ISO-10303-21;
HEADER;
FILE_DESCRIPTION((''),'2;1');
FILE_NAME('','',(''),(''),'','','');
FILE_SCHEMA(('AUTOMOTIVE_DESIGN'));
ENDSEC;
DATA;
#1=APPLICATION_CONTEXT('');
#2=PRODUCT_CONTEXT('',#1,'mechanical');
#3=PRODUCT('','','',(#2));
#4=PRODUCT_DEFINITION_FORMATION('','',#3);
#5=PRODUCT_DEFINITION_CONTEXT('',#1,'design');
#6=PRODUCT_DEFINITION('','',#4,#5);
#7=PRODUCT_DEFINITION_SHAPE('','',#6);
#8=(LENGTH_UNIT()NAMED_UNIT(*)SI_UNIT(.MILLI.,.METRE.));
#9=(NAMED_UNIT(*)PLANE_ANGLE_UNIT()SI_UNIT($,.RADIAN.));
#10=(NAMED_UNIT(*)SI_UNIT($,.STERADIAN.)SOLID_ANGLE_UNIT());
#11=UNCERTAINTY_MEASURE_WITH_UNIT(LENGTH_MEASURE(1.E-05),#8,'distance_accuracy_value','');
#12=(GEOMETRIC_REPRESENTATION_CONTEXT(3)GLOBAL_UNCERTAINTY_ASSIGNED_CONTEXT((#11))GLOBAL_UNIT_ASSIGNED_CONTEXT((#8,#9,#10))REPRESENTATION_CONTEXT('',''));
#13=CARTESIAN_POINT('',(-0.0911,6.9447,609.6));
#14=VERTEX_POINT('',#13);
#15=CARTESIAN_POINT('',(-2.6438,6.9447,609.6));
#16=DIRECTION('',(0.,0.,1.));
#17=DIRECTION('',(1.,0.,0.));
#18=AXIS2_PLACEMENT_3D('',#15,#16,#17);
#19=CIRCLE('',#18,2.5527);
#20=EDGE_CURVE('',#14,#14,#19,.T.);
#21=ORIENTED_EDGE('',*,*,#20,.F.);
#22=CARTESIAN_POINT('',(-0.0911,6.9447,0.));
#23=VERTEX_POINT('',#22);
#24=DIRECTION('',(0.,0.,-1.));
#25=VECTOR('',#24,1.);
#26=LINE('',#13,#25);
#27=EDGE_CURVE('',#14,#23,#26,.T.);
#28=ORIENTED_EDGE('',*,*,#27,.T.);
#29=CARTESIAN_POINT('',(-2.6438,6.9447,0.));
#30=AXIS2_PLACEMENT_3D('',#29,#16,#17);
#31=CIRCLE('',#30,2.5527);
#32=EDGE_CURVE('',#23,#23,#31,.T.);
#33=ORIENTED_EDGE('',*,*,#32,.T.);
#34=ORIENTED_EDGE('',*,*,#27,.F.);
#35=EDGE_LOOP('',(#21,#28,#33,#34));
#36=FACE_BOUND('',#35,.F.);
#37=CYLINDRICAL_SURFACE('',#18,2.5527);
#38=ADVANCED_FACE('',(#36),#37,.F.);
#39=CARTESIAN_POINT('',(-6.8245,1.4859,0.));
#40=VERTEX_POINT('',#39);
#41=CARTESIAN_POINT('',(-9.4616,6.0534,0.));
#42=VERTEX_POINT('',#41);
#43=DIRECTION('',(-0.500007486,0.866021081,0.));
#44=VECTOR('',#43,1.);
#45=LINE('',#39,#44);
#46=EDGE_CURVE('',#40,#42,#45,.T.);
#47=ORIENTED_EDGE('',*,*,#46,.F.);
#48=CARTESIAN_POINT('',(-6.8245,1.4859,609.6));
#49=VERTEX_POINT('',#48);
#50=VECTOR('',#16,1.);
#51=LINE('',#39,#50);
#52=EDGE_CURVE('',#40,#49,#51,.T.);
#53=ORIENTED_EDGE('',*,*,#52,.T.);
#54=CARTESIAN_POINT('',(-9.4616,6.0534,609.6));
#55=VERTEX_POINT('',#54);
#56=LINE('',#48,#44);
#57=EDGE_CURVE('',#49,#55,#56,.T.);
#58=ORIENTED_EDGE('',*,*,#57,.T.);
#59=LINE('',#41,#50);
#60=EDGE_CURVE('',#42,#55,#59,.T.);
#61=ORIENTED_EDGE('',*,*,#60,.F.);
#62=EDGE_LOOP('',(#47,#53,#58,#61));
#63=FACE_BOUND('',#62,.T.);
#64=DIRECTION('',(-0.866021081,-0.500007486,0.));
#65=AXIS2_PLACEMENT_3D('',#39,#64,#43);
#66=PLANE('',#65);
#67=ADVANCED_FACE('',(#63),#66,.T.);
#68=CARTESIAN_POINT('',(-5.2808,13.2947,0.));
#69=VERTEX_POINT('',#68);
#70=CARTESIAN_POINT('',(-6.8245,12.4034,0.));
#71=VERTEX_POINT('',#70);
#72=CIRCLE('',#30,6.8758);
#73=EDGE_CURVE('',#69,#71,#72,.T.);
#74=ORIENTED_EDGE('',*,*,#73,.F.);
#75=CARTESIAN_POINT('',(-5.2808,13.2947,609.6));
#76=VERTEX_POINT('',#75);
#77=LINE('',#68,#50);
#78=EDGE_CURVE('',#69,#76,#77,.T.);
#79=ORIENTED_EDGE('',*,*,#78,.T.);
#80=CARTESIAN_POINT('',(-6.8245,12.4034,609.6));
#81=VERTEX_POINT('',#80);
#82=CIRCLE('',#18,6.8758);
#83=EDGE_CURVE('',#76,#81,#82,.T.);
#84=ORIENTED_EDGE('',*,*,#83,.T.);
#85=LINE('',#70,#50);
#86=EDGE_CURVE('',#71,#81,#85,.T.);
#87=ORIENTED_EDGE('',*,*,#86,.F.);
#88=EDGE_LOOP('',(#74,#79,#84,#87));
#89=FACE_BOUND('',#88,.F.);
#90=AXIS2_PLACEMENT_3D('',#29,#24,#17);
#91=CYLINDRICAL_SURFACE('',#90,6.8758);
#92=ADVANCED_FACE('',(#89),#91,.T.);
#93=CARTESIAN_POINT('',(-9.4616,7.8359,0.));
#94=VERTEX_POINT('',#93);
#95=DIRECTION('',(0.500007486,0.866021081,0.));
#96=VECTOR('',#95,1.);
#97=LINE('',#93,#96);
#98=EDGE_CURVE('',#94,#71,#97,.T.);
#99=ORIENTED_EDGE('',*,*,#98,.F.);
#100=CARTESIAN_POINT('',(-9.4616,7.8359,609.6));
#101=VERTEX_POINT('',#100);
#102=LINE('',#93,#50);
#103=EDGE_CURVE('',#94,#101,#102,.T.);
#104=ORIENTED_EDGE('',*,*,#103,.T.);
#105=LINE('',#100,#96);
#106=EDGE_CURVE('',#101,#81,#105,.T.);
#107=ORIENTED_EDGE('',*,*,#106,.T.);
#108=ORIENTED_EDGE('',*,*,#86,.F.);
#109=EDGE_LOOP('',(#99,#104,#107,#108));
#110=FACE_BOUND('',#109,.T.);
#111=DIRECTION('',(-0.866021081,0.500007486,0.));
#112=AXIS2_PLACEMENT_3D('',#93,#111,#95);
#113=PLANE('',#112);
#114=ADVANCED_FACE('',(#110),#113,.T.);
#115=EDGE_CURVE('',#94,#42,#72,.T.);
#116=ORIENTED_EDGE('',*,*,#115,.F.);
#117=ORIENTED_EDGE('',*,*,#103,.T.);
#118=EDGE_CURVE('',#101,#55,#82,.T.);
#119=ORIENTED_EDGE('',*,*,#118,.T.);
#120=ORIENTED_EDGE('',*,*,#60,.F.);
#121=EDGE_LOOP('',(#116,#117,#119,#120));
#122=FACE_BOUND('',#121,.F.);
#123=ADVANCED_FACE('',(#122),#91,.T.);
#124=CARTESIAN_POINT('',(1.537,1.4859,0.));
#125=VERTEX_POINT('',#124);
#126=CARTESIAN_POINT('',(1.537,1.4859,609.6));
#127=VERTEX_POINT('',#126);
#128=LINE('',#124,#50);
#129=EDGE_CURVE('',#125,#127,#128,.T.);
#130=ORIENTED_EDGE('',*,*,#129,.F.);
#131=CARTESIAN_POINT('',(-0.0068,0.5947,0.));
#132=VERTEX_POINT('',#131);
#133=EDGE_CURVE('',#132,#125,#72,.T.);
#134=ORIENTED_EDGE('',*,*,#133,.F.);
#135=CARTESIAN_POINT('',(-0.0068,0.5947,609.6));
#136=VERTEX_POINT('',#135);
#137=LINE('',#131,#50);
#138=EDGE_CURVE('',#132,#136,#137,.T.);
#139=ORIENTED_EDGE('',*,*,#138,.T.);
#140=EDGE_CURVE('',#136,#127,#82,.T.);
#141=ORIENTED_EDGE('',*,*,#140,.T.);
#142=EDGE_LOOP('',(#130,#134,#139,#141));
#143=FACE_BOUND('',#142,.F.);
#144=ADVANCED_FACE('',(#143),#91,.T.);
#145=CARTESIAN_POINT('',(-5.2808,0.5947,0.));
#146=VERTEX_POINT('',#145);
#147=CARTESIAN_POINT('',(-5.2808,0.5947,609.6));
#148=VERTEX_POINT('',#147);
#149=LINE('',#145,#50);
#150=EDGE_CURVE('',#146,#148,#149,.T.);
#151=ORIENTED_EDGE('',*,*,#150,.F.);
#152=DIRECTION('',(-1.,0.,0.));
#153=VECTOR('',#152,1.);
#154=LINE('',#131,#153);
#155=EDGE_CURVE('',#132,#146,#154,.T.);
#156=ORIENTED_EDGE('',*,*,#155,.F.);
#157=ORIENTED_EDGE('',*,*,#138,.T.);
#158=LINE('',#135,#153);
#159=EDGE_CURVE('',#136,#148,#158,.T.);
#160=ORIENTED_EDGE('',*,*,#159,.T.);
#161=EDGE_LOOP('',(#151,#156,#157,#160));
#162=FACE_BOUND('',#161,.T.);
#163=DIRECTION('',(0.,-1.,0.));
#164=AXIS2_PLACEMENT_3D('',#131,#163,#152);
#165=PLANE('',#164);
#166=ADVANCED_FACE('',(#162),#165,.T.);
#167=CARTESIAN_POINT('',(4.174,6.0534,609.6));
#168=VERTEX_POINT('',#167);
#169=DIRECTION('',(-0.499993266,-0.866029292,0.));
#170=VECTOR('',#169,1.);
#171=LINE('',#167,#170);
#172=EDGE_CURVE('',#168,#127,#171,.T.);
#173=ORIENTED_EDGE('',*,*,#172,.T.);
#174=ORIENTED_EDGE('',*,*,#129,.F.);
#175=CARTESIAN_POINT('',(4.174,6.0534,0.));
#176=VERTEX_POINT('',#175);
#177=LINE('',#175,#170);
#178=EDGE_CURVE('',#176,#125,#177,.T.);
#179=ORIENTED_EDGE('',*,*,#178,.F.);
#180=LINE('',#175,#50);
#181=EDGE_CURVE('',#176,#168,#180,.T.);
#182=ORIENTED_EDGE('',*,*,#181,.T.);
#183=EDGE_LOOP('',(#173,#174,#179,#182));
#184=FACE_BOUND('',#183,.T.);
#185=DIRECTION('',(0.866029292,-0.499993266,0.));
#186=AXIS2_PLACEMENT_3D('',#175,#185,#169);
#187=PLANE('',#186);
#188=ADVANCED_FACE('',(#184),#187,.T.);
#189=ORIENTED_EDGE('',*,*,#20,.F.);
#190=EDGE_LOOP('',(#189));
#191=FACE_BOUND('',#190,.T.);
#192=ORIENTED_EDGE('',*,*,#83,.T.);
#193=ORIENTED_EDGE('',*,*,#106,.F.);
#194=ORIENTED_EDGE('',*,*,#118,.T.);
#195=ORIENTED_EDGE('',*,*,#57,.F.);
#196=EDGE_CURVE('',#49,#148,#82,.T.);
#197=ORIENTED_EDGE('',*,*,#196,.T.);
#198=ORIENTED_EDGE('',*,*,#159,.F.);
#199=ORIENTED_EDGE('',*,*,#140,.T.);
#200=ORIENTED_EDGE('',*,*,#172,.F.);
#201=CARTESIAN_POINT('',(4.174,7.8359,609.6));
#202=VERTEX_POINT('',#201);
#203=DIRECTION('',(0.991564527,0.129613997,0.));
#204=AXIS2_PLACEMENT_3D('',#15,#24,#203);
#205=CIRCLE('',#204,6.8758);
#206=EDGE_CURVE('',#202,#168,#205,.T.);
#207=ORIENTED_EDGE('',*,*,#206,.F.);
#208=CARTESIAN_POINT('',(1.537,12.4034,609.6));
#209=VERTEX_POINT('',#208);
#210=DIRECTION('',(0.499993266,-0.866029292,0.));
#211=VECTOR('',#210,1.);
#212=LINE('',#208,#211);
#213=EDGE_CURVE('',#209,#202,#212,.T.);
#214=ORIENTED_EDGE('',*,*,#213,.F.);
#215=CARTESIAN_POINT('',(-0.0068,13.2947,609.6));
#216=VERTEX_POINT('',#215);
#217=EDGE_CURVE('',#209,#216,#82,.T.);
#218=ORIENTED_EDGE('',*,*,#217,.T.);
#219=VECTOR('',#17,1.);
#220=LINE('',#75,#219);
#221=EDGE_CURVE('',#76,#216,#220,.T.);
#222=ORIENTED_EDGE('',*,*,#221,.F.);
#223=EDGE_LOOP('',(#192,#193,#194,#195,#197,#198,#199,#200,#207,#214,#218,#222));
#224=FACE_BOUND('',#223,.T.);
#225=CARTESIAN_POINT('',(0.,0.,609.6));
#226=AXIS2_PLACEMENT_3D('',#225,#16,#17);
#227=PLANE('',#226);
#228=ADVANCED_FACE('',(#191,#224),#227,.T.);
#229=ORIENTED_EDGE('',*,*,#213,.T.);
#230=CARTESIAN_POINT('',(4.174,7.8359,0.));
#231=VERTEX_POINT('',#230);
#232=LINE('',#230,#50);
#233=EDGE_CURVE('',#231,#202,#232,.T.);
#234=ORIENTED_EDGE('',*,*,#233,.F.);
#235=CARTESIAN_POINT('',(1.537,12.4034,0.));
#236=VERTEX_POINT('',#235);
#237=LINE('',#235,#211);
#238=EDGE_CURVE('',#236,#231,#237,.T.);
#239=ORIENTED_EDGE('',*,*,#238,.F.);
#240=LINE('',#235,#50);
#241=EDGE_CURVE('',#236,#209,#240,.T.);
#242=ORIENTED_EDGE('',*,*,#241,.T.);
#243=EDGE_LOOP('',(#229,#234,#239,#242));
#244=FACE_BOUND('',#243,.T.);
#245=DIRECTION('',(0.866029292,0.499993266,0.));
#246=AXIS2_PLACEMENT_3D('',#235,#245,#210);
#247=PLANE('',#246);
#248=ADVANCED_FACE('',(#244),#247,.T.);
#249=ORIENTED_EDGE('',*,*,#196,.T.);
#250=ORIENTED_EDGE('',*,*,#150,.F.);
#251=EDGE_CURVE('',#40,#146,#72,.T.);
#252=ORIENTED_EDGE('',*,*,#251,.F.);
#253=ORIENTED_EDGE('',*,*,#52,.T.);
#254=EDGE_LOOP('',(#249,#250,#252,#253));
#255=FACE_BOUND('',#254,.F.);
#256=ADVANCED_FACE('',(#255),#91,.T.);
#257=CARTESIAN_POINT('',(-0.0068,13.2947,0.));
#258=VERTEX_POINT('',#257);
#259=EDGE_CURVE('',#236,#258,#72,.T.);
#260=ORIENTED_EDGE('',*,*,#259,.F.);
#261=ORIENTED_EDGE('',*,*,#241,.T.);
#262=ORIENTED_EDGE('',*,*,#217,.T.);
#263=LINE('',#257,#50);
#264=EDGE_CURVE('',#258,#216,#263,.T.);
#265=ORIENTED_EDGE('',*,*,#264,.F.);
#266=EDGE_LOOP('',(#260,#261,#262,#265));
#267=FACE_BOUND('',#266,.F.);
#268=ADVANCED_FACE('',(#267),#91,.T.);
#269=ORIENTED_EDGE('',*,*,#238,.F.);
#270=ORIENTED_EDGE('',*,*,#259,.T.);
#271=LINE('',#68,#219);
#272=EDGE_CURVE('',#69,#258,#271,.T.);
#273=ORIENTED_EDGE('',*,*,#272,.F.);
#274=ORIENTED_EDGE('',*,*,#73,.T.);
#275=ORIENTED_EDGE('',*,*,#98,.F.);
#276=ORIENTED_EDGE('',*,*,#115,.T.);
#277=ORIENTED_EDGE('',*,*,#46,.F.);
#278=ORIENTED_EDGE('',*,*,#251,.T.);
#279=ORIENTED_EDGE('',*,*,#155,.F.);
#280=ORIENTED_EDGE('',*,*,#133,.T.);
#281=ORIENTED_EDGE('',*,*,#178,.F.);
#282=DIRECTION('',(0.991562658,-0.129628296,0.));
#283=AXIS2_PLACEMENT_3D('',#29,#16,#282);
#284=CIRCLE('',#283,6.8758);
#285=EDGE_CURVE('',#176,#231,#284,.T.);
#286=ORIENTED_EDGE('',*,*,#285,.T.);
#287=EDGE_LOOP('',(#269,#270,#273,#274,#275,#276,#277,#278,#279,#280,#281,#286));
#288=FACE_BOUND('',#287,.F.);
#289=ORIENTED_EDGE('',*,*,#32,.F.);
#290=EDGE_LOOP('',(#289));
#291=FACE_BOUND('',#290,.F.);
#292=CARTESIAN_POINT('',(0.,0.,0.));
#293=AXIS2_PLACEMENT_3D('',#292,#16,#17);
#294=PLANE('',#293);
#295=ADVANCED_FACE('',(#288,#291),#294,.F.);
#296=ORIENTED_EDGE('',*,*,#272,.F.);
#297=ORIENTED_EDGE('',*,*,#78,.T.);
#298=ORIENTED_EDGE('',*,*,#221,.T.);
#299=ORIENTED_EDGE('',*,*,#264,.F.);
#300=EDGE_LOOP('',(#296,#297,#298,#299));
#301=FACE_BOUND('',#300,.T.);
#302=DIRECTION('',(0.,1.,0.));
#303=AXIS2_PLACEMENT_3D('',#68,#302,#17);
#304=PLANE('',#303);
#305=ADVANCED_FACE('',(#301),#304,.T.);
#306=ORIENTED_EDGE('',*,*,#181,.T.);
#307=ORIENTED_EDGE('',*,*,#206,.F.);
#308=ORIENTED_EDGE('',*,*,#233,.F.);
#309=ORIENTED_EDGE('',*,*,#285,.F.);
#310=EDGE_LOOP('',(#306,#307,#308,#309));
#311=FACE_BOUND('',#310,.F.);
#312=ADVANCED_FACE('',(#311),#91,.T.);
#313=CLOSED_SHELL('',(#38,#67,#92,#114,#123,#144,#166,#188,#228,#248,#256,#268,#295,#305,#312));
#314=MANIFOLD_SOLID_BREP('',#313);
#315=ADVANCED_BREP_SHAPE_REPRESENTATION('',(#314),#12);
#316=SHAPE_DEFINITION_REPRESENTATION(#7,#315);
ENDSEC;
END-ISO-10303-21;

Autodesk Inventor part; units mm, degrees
ref_plane "YZ Plane" through (0, 0, 0) normal (1, 0, 0) x (0, 1, 0)
ref_plane "XZ Plane" through (0, 0, 0) normal (0, 1, 0) x (-1, 0, 0)
ref_plane "XY Plane" through (0, 0, 0) normal (0, 0, 1) x (1, 0, 0)
sketch "Sketch1" plane through (0, 0, 0) normal (0, 0, 1) x (1, 0, 0)
  circle A0 centre (-2.6438, 6.9447) radius 6.8758
  line L0 (-9.4616, 7.8359) -> (-6.8245, 12.4034)
  line L1 (-6.8245, 1.4859) -> (-9.4616, 6.0534)
  line L2 (-0.0068, 0.5947) -> (-5.2808, 0.5947)
  line L3 (4.174, 6.0534) -> (1.537, 1.4859)
  line L4 (1.537, 12.4034) -> (4.174, 7.8359)
  line L5 (-5.2808, 13.2947) -> (-0.0068, 13.2947)
  point P0 (0, 0)
  point P1 (1.537, 1.4859)
  dimension "d0" = 13.7516
  dimension "d4" = 360
extrude "Extrusion1" add sketch "Sketch1" along normal blind 609.6 contours A0 L3 L2 L1 L0 L5 L4
sketch "Sketch2" plane through (0, 0, 609.6) normal (0, 0, 1) x (1, 0, 0)
  circle A0 centre (-2.6438, 6.9447) radius 2.5527
  line L0 (-5.2808, 0.5947) -> (-0.0068, 0.5947) projected
  line L1 (-2.6438, 6.9447) -> (-5.2808, 0.5947) construction
  line L2 (-2.6438, 6.9447) -> (-0.0068, 0.5947) construction
  point P0 (0, 0)
  dimension "d8" = 5.1054
  dimension "d9" = 6.35
extrude "Extrusion2" cut sketch "Sketch2" against normal blind 609.6
equation "\"d6\" = d5"
equation "\"d10\" = d5"
equation "\"d5\" = 609.6"
properties part number "ThunderHex Stock (Tower Shafts)"
